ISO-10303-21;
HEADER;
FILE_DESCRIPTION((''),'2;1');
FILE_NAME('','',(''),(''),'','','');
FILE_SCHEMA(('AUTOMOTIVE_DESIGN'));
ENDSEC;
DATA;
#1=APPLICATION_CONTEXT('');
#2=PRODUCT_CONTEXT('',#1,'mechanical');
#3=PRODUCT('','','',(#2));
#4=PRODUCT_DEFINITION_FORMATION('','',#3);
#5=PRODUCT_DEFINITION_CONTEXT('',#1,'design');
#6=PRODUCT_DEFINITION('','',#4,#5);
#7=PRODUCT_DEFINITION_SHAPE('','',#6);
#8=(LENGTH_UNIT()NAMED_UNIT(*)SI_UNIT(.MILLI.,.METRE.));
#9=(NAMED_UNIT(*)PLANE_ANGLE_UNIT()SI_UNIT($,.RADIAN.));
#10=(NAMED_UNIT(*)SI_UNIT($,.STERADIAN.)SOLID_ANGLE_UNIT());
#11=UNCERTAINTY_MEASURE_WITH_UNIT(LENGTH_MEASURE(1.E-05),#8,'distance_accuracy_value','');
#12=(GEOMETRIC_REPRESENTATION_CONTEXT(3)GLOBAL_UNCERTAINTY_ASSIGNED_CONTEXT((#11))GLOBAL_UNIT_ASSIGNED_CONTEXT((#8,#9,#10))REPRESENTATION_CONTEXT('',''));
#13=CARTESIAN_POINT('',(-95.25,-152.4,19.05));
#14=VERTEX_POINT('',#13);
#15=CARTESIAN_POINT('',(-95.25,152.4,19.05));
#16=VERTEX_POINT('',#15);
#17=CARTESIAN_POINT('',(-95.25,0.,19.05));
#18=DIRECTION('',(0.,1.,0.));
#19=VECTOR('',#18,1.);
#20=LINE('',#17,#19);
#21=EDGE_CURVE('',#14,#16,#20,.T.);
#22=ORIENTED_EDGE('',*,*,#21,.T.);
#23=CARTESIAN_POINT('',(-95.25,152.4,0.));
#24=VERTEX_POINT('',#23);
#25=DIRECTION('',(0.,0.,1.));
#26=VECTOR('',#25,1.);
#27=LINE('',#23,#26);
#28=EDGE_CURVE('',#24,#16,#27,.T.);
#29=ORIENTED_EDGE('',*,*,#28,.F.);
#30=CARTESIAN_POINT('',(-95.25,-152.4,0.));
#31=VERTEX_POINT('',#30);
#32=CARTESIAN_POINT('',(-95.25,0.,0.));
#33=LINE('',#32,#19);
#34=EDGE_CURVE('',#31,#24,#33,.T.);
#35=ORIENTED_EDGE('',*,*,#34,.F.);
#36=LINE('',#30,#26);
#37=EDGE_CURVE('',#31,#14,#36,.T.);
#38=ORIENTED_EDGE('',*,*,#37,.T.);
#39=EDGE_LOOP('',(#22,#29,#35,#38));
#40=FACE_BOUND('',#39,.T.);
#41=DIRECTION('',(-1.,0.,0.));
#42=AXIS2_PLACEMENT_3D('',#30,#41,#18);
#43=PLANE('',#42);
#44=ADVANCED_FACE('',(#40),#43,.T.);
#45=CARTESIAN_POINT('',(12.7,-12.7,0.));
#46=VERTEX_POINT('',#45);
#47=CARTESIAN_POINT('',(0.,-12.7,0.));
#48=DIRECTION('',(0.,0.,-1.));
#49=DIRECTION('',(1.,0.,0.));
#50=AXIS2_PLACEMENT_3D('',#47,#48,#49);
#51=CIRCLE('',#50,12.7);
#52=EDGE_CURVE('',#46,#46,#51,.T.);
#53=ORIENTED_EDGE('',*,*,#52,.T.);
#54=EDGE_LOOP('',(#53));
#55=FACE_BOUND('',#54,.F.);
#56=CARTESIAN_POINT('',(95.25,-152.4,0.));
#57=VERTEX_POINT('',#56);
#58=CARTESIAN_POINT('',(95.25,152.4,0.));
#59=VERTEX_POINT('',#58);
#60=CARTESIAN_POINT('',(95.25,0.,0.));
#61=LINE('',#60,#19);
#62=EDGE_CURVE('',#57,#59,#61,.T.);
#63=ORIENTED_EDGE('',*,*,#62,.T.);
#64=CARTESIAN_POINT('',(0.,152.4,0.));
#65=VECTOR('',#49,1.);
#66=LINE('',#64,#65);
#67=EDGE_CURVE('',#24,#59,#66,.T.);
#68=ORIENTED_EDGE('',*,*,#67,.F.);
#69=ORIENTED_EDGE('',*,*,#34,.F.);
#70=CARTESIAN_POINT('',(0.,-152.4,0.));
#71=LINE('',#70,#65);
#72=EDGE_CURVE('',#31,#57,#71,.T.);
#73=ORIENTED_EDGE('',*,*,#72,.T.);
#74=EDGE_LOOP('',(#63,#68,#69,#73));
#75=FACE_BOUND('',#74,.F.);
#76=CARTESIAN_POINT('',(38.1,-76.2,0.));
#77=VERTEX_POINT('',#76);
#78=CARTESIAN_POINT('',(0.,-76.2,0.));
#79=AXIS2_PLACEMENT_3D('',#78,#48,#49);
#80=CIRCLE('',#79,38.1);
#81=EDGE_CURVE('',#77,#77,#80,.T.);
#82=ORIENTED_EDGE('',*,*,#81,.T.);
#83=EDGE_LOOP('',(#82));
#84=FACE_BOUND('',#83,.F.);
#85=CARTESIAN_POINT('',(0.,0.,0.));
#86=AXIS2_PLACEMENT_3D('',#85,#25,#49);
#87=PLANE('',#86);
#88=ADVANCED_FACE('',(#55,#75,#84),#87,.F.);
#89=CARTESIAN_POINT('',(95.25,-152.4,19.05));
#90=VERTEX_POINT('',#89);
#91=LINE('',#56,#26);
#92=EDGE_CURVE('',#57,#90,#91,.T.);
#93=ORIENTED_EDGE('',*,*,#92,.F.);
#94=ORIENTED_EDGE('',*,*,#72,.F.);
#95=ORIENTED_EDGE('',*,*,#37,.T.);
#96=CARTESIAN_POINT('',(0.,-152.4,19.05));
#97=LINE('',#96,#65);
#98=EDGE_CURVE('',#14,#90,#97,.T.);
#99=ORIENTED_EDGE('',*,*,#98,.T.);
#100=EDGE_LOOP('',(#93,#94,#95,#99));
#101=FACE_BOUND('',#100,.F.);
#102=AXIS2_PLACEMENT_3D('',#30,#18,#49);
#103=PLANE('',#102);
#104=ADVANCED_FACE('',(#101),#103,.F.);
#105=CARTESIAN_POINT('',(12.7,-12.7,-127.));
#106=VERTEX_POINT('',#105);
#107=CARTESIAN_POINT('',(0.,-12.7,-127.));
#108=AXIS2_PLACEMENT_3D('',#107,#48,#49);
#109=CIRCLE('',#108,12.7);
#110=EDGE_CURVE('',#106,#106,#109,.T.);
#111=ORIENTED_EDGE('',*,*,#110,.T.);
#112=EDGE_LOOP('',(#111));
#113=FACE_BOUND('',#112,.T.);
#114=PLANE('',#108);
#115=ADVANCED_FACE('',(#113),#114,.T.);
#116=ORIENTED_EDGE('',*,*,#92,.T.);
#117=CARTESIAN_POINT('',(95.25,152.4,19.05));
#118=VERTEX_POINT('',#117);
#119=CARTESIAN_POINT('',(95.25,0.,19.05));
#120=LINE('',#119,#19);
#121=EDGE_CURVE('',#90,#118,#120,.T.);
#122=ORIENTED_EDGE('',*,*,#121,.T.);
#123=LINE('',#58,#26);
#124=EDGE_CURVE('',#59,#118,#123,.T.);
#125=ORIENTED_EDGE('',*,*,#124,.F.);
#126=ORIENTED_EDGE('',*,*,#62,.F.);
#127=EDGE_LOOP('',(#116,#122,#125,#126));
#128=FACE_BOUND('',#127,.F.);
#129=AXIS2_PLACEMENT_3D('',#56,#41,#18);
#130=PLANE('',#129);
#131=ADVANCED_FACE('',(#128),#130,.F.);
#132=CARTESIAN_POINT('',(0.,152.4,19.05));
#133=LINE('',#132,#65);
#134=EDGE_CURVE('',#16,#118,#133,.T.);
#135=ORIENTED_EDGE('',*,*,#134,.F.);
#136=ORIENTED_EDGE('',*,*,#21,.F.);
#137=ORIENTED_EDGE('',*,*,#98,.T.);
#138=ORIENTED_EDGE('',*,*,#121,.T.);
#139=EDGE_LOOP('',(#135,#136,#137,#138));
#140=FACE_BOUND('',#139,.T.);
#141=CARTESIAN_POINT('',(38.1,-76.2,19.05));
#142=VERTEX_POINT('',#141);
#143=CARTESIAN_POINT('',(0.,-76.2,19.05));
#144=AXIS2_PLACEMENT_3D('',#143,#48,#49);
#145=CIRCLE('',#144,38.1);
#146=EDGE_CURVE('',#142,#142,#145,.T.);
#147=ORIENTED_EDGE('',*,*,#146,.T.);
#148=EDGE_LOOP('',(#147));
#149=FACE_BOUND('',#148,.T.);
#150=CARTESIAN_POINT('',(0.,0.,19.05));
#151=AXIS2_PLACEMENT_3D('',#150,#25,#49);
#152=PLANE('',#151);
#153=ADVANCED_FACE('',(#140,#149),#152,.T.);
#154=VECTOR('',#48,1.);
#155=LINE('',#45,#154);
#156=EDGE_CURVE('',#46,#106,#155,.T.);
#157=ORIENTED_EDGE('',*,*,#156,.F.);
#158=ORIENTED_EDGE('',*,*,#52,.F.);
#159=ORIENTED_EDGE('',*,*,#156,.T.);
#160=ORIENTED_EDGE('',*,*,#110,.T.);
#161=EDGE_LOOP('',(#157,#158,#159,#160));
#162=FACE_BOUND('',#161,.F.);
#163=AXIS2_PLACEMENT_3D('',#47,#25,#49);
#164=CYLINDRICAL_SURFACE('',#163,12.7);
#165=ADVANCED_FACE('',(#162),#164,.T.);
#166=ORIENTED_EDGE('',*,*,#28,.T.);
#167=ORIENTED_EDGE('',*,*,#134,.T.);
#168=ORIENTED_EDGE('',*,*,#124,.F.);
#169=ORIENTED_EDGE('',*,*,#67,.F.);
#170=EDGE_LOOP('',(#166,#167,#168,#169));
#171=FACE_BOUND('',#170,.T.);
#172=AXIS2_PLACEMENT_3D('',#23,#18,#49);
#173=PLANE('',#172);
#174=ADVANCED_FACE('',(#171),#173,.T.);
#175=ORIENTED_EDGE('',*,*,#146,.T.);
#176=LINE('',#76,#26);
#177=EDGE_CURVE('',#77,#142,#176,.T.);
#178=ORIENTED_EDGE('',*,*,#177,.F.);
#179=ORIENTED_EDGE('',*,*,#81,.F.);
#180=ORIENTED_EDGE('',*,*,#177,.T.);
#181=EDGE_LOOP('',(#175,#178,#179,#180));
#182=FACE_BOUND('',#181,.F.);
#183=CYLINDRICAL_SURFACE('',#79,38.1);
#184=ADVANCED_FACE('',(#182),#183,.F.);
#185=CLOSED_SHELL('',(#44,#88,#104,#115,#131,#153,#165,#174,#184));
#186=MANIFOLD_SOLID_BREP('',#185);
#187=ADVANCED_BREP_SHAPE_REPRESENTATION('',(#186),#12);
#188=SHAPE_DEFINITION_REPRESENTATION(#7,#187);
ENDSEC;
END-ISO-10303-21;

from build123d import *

# Parameters (mm, degrees)
F0_W     = 190.5
F0_H     = 304.8
F1_DEPTH = 19.05
F2_R     = 38.1
F4_DEPTH = 25.4
F3_R     = 12.7
F5_DEPTH = 127


with BuildPart() as f1:
    # F0 (on Top) → F1 (new body)
    with BuildSketch(Plane.XY):
        Rectangle(F0_W, F0_H)
    extrude(amount=F1_DEPTH)

    # F2 (on face) → F4 (cut)
    with BuildSketch(Plane(origin=(0, 0, 0), x_dir=(1, 0, 0), z_dir=(0, 0, -1))):
        with Locations((0, 76.2)):
            Circle(F2_R)
    extrude(amount=-F4_DEPTH, mode=Mode.SUBTRACT)

    # F3 (on face) → F5 (join)
    with BuildSketch(Plane(origin=(0, 0, 0), x_dir=(1, 0, 0), z_dir=(0, 0, -1))):
        with Locations((0, 12.7)):
            Circle(F3_R)
    extrude(amount=F5_DEPTH)


solid = f1.part
